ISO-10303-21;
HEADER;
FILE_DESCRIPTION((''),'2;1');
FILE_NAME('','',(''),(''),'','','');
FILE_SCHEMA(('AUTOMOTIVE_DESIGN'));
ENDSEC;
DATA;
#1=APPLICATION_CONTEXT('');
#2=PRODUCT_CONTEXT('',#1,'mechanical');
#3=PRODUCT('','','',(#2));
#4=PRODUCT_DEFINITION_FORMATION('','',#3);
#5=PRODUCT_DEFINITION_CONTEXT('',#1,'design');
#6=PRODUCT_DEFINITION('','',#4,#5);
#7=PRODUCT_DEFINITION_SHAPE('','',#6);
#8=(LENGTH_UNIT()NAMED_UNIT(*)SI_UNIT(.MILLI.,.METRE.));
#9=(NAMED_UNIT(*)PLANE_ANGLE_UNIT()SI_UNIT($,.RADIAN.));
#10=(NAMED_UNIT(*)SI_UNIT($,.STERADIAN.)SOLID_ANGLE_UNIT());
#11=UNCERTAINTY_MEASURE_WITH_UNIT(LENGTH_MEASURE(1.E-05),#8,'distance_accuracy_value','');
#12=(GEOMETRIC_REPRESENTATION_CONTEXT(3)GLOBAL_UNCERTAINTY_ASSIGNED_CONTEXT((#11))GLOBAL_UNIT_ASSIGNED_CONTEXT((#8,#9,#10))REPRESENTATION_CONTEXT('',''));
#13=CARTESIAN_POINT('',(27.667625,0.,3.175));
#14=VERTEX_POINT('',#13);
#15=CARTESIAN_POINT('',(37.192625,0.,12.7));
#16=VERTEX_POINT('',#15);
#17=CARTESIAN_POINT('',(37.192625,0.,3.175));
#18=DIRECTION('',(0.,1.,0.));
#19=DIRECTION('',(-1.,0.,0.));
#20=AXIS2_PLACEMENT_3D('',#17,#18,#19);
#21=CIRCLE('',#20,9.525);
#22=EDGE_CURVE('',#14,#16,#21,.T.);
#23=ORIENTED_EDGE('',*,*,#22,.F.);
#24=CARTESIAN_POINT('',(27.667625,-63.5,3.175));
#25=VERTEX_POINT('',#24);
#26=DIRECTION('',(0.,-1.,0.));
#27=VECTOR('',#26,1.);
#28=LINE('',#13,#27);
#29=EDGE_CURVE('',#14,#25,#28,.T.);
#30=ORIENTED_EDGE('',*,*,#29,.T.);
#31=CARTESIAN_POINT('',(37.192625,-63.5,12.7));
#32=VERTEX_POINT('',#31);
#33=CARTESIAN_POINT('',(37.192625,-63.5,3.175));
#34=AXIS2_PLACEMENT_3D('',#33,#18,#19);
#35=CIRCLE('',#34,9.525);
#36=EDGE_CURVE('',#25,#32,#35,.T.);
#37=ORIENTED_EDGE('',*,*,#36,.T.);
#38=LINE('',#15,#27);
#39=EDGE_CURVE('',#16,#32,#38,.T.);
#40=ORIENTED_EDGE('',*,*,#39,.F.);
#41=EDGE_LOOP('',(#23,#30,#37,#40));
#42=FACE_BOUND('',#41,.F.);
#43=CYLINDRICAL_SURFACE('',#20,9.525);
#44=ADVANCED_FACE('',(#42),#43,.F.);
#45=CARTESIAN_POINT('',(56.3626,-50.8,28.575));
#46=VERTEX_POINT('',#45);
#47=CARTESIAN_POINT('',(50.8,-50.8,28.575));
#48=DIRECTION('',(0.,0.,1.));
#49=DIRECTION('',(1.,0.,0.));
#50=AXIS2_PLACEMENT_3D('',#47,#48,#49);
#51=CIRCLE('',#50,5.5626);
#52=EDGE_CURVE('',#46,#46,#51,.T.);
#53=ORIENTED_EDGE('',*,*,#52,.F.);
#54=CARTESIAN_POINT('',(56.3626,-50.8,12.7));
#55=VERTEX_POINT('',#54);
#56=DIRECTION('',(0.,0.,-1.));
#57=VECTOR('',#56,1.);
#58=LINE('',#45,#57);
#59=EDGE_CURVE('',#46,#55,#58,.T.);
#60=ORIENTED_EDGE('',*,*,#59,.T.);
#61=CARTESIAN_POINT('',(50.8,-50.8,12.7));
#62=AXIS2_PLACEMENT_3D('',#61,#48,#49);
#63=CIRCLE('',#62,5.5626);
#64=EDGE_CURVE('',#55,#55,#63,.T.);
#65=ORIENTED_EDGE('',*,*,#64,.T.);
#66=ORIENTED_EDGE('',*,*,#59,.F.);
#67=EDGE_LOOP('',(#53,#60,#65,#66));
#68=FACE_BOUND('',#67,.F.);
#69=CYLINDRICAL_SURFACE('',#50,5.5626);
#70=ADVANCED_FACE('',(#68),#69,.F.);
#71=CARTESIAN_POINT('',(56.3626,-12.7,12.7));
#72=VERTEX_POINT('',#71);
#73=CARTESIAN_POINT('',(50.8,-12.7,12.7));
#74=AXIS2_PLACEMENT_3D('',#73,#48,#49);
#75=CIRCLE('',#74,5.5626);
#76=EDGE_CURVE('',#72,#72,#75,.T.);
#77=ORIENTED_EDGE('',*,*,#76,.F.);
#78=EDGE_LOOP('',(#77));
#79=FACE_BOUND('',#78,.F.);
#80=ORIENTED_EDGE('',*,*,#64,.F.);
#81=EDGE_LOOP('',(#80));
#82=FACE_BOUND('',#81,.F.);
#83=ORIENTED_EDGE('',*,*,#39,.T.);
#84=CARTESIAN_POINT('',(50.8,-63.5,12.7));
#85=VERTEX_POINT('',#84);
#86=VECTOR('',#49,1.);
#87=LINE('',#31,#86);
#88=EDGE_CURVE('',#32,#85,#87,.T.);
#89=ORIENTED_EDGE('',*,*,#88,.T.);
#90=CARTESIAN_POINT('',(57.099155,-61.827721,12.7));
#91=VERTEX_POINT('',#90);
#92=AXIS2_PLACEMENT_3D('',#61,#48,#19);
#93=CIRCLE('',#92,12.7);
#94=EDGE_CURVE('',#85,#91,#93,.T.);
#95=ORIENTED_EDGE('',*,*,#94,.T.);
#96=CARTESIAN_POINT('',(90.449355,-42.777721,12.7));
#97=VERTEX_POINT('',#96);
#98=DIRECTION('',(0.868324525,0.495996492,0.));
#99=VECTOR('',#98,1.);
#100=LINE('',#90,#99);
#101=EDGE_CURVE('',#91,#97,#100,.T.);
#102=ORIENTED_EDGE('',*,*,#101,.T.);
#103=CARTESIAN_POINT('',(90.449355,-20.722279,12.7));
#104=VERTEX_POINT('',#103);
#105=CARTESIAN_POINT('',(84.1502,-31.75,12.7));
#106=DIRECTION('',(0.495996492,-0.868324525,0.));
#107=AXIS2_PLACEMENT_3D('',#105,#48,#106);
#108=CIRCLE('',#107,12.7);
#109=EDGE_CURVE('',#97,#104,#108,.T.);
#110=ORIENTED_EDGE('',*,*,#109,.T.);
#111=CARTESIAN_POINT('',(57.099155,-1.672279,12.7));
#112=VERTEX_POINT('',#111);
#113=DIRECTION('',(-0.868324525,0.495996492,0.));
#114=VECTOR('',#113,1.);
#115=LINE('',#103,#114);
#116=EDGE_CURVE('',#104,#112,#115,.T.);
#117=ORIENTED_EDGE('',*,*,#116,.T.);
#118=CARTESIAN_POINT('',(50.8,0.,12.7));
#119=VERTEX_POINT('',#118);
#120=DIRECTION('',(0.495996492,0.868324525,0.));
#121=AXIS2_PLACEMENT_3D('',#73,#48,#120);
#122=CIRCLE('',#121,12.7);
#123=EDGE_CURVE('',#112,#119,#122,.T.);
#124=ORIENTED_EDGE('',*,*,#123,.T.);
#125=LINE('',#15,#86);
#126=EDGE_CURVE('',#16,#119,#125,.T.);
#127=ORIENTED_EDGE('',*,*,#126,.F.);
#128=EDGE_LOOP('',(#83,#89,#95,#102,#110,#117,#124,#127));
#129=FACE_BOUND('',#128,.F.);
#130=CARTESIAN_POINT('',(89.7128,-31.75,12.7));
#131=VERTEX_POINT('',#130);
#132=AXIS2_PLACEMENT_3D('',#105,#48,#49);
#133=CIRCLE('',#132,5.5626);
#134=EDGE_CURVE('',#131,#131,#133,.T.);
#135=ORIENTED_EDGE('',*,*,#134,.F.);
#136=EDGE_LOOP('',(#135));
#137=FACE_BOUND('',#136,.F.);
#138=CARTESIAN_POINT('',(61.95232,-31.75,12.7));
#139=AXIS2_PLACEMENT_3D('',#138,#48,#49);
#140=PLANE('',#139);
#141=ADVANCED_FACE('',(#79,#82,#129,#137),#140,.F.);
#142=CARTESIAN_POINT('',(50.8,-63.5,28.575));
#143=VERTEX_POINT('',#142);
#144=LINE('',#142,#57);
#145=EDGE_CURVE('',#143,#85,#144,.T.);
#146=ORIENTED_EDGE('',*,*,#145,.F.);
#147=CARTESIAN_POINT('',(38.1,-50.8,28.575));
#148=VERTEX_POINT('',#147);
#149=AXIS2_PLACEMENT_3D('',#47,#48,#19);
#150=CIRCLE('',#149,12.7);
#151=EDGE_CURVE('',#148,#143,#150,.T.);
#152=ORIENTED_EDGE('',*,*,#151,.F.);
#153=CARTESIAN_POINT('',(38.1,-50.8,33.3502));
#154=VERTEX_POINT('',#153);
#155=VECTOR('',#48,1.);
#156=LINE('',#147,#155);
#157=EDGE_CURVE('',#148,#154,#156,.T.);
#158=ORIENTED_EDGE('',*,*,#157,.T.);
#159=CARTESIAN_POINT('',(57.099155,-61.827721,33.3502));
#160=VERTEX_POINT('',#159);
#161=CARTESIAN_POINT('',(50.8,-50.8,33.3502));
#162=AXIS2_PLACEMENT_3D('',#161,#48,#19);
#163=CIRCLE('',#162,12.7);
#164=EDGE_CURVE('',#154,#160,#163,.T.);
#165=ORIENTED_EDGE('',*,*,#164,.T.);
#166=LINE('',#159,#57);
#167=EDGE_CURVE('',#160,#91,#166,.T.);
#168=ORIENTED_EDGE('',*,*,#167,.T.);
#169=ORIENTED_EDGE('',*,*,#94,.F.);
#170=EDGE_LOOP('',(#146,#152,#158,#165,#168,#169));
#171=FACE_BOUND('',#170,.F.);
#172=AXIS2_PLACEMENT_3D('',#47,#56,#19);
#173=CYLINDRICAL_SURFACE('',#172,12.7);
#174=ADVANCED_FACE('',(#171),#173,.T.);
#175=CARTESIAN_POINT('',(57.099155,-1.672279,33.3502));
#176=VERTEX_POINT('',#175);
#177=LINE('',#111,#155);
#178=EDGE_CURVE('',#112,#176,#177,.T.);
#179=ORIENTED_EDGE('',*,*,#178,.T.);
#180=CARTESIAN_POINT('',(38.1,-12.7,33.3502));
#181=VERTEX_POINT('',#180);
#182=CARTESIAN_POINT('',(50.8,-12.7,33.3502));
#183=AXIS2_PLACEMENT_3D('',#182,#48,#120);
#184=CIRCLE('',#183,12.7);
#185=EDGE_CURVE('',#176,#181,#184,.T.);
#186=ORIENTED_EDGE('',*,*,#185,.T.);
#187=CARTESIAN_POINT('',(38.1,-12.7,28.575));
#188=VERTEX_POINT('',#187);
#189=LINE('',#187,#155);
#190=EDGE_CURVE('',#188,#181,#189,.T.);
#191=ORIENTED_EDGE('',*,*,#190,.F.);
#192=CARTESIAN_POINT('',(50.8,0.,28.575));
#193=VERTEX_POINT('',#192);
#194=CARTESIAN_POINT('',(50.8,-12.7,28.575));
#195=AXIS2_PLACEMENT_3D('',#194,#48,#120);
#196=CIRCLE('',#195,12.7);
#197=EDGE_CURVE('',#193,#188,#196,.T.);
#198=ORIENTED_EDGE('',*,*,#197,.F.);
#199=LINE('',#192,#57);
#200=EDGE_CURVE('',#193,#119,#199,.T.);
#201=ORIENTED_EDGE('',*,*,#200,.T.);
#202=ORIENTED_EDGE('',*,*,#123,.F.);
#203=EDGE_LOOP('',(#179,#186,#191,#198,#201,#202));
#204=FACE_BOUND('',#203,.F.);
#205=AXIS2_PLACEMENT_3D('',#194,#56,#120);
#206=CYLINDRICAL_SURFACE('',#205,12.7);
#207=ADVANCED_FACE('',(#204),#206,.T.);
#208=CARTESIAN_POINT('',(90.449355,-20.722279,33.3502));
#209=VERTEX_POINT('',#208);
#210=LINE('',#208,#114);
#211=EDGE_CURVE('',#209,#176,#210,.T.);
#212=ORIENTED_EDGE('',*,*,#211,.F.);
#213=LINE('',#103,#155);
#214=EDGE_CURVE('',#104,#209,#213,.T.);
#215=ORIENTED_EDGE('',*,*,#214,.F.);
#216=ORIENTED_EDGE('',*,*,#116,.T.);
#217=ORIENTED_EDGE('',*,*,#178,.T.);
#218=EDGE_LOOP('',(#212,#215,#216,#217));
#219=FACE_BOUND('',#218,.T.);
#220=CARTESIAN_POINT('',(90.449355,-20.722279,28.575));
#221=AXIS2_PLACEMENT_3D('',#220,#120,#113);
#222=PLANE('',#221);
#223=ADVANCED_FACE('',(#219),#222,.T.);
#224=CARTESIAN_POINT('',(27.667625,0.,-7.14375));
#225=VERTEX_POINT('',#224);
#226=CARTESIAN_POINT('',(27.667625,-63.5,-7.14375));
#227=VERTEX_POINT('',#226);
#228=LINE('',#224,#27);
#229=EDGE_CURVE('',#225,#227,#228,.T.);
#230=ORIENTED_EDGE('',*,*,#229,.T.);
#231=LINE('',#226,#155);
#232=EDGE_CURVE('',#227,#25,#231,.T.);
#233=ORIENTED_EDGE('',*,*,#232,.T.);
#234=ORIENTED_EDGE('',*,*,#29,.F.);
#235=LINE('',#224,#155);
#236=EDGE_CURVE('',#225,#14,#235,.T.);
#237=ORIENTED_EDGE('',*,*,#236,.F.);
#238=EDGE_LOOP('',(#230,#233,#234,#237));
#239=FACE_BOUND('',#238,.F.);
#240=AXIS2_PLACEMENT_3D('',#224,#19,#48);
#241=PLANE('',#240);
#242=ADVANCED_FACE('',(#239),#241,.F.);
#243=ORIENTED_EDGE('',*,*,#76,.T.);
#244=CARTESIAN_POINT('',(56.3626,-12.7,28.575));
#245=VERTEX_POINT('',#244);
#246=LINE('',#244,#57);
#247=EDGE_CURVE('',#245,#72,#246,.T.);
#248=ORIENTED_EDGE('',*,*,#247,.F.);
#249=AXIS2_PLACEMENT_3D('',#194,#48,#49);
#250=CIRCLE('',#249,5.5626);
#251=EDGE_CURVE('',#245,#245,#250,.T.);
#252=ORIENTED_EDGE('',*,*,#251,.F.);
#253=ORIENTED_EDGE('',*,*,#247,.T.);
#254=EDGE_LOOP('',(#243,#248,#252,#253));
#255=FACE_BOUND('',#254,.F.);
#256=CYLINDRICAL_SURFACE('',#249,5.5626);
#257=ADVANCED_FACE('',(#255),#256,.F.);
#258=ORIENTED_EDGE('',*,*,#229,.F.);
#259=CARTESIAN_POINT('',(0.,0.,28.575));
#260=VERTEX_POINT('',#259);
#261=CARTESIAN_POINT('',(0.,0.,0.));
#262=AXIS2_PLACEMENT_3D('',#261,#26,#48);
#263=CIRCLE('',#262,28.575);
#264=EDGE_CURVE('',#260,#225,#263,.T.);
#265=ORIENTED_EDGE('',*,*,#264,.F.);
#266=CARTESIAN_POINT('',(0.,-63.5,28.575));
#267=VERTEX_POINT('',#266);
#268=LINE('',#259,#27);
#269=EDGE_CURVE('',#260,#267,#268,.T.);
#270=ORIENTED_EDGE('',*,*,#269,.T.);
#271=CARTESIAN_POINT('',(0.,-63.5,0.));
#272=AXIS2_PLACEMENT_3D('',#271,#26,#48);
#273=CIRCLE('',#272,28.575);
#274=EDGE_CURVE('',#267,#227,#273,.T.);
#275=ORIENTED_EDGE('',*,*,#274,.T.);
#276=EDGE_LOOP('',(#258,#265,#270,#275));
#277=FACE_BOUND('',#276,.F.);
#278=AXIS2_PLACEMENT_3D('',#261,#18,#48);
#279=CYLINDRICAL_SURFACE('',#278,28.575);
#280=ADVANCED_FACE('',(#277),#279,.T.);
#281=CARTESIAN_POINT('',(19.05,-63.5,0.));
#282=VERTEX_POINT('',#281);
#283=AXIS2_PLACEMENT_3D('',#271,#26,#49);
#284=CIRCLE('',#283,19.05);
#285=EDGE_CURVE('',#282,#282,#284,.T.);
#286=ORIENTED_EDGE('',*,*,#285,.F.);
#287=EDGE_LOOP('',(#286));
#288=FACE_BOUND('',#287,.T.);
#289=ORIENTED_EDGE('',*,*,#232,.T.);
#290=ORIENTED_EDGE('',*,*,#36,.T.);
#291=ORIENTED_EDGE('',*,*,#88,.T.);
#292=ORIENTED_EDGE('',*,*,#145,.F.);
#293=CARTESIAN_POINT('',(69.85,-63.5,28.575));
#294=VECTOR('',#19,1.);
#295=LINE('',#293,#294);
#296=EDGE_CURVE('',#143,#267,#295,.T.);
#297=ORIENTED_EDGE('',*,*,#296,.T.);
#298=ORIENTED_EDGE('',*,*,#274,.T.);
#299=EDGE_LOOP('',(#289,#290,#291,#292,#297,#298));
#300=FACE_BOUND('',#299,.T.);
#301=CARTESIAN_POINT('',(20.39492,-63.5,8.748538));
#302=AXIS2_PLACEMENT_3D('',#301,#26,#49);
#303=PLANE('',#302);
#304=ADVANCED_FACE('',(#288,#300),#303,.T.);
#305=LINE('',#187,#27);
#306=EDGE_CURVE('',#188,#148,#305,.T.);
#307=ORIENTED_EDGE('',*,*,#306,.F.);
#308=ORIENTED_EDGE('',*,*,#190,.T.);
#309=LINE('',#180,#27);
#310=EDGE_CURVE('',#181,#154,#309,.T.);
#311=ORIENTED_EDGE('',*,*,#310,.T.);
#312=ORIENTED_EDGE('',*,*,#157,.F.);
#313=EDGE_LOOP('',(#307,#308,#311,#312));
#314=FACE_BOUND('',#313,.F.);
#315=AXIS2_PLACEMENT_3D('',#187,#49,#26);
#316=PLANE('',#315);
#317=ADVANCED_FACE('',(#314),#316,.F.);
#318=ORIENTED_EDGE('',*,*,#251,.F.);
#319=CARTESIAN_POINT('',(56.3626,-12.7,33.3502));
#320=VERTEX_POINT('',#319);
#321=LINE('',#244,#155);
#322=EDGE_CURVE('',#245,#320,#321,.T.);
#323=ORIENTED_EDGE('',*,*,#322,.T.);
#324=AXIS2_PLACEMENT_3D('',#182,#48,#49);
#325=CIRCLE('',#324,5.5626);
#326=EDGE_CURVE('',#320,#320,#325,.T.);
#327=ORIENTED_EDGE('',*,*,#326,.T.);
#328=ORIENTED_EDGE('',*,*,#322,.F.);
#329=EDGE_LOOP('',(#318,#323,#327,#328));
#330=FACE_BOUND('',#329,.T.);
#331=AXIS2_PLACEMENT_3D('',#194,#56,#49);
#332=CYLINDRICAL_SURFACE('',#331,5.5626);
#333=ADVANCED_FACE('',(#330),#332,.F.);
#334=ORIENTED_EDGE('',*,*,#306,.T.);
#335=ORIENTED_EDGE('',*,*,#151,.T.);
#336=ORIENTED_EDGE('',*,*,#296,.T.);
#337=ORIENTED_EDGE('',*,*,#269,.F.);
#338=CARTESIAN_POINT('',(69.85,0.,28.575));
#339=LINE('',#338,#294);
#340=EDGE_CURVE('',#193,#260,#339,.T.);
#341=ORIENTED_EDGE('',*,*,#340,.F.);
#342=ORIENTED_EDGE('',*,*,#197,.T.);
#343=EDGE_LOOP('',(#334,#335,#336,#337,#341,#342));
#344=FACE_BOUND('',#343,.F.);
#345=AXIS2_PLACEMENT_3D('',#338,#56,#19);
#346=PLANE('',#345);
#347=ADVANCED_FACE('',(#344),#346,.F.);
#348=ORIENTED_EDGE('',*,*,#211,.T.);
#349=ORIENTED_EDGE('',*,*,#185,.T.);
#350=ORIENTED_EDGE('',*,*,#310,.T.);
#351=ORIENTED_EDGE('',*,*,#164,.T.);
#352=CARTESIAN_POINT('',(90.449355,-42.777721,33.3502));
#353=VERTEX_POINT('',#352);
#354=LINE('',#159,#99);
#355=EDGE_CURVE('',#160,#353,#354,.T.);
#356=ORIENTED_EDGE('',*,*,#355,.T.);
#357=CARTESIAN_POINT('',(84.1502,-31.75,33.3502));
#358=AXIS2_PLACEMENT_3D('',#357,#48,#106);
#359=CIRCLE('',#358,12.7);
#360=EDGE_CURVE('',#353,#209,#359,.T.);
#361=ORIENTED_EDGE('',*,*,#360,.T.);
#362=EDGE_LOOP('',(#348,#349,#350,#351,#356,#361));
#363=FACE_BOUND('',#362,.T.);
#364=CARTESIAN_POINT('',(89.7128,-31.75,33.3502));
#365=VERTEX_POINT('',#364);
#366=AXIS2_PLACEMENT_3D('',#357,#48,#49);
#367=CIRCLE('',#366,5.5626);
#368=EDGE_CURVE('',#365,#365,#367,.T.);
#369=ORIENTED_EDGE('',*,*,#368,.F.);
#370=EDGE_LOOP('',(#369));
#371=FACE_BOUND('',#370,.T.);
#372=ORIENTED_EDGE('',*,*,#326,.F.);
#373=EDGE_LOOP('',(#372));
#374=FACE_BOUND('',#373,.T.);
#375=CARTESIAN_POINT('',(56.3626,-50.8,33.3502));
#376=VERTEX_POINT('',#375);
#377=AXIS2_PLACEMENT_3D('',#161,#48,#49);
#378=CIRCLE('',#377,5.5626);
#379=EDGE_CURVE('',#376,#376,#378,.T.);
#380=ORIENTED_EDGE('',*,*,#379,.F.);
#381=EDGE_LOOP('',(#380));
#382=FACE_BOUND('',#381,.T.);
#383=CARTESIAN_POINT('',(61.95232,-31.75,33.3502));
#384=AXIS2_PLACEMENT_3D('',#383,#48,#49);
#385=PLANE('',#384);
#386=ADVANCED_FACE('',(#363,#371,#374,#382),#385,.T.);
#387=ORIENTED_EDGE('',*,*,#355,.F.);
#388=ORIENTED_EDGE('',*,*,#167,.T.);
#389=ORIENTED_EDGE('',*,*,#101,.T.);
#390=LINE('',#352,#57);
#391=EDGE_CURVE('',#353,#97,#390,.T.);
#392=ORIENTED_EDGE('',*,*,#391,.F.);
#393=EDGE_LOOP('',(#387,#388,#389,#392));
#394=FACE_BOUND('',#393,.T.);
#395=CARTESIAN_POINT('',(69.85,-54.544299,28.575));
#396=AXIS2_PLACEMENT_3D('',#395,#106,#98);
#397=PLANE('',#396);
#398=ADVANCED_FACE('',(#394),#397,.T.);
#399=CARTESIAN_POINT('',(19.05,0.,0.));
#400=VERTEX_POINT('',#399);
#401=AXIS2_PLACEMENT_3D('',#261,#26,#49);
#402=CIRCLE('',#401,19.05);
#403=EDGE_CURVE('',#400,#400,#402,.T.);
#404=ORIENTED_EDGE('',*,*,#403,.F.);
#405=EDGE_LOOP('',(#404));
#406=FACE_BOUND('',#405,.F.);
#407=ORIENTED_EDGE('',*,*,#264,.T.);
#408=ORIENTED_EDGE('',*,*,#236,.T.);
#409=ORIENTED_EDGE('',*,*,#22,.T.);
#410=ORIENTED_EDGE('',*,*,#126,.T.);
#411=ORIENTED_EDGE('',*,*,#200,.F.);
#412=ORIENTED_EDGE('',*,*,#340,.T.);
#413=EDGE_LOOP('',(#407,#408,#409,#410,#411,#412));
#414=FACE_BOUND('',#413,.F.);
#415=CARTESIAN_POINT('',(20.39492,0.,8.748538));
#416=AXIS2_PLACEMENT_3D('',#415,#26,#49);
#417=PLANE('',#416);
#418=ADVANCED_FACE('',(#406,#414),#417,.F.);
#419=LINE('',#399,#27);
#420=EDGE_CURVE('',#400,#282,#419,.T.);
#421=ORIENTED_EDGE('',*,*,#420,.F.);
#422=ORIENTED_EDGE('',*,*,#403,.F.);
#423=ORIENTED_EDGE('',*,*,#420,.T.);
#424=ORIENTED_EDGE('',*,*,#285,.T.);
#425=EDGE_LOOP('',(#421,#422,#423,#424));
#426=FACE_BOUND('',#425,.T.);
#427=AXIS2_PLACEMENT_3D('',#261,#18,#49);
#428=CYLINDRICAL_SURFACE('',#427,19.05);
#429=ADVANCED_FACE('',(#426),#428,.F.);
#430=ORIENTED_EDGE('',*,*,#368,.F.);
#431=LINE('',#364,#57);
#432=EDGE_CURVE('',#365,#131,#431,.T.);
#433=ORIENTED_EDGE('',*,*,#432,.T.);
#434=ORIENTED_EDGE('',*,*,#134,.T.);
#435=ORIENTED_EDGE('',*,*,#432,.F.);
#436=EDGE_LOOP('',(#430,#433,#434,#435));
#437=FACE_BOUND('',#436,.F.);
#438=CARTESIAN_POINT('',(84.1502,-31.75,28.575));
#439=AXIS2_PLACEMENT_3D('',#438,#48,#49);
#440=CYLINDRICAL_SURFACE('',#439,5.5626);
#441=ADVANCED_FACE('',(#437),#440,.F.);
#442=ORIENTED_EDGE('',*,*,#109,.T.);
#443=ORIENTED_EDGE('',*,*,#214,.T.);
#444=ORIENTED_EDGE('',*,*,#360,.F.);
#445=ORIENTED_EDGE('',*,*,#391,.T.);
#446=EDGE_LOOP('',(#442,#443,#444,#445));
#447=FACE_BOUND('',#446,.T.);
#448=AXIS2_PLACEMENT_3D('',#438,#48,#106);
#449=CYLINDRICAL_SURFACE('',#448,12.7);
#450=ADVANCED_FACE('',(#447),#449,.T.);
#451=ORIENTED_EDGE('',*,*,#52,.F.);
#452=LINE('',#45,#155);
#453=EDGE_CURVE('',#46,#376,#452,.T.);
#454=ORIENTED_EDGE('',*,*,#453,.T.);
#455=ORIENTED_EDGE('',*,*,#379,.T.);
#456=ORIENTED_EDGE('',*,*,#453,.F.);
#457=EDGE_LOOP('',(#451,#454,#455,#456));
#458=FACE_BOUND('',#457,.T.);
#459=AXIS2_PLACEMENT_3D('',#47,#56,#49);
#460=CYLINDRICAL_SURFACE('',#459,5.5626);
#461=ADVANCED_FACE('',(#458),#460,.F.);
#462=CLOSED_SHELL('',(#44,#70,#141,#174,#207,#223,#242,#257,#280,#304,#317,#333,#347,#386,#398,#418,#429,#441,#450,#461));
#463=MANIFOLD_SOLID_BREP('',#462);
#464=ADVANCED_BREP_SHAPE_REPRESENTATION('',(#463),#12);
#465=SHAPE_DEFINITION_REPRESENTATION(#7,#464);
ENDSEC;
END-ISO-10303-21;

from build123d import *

# Parameters (mm, degrees)
F0_R     = 19.05
F1_DEPTH = 63.5
F2_R     = 5.5626
F3_DEPTH = 4.7752
F4_DEPTH = 4.7752
F5_DEPTH = 15.875
F6_DEPTH = 20.6502
F7_R     = 5.5626
F8_DEPTH = 20.6502
F9_DEPTH = 15.875


with BuildPart() as f1:
    # F0 (on Front) → F1 (new body)
    with BuildSketch(Plane.XZ):
        with BuildLine():
            Line((69.85, 28.575), (0, 28.575))
            ThreePointArc((0, 28.575), (-22.5905210348, -17.49854235), (27.6676247795, -7.14375))
            Line((27.6676247795, -7.14375), (27.6676247795, 3.175))
            ThreePointArc((27.6676247795, 3.175), (30.4574326887, 9.9101920908), (37.1926247795, 12.7))
            Line((37.1926247795, 12.7), (69.85, 12.7))
            Line((69.85, 12.7), (69.85, 28.575))
        make_face()
        Circle(F0_R, mode=Mode.SUBTRACT)
    extrude(amount=F1_DEPTH)

    # F2 (on face) → F3 (join)
    with BuildSketch(Plane.XY.offset(28.575)):
        with BuildLine():
            Line((90.4493554441, -20.7222785358), (57.0991554441, -1.6722785358))
            ThreePointArc((57.0991554441, -1.6722785358), (44.4246284085, -1.7161647377), (38.1, -12.7))
            Line((38.1, -12.7), (38.1, -50.8))
            ThreePointArc((38.1, -50.8), (44.4246284085, -61.7838352623), (57.0991554441, -61.8277214642))
            Line((57.0991554441, -61.8277214642), (90.4493554441, -42.7777214642))
            ThreePointArc((90.4493554441, -42.7777214642), (96.8502, -31.75), (90.4493554441, -20.7222785358))
        make_face()
        with Locations((50.8, -50.8)):
            Circle(F2_R, mode=Mode.SUBTRACT)
        with Locations((50.8, -12.7)):
            Circle(F2_R, mode=Mode.SUBTRACT)
        with Locations((84.1502, -31.75)):
            Circle(F2_R, mode=Mode.SUBTRACT)
        with Locations((84.1502, -31.75)):
            Circle(F2_R)
    extrude(amount=F3_DEPTH)

    # F2 (on face) → F4 (join)
    with BuildSketch(Plane.XY.offset(28.575)):
        with BuildLine():
            Line((90.4493554441, -20.7222785358), (57.0991554441, -1.6722785358))
            ThreePointArc((57.0991554441, -1.6722785358), (44.4246284085, -1.7161647377), (38.1, -12.7))
            Line((38.1, -12.7), (38.1, -50.8))
            ThreePointArc((38.1, -50.8), (44.4246284085, -61.7838352623), (57.0991554441, -61.8277214642))
            Line((57.0991554441, -61.8277214642), (90.4493554441, -42.7777214642))
            ThreePointArc((90.4493554441, -42.7777214642), (96.8502, -31.75), (90.4493554441, -20.7222785358))
        make_face()
        with Locations((50.8, -50.8)):
            Circle(F2_R, mode=Mode.SUBTRACT)
        with Locations((50.8, -12.7)):
            Circle(F2_R, mode=Mode.SUBTRACT)
        with Locations((84.1502, -31.75)):
            Circle(F2_R, mode=Mode.SUBTRACT)
    extrude(amount=F4_DEPTH)

    # F5 (cut, through all): faces of the model
    f5_faces = [f1.faces().sort_by_distance(p)[0] for p in [
        (64.480850076, -2.9493294549, 28.575),
        (64.480850076, -60.5506705451, 28.575),
    ]]
    extrude(f5_faces, amount=-F5_DEPTH, mode=Mode.SUBTRACT)

    # F6 (cut): faces of the model
    f6_faces = [f1.faces().sort_by_distance(p)[0] for p in [
        (50.8, -12.7, 28.575),
        (50.8, -50.8, 28.575),
    ]]
    extrude(f6_faces, amount=-F6_DEPTH, mode=Mode.SUBTRACT)

    # F7 (on face) → F8 (cut)
    with BuildSketch(Plane.XY.offset(33.3502)):
        with Locations((84.1502, -31.75)):
            Circle(F7_R)
    extrude(amount=-F8_DEPTH, mode=Mode.SUBTRACT)

    # F9 (add, through all): a face of the model
    f9_faces = [f1.faces().sort_by_distance(p)[0] for p in [
        (96.3203574662, -31.75, 28.575),
    ]]
    extrude(f9_faces, amount=F9_DEPTH)


solid = f1.part
